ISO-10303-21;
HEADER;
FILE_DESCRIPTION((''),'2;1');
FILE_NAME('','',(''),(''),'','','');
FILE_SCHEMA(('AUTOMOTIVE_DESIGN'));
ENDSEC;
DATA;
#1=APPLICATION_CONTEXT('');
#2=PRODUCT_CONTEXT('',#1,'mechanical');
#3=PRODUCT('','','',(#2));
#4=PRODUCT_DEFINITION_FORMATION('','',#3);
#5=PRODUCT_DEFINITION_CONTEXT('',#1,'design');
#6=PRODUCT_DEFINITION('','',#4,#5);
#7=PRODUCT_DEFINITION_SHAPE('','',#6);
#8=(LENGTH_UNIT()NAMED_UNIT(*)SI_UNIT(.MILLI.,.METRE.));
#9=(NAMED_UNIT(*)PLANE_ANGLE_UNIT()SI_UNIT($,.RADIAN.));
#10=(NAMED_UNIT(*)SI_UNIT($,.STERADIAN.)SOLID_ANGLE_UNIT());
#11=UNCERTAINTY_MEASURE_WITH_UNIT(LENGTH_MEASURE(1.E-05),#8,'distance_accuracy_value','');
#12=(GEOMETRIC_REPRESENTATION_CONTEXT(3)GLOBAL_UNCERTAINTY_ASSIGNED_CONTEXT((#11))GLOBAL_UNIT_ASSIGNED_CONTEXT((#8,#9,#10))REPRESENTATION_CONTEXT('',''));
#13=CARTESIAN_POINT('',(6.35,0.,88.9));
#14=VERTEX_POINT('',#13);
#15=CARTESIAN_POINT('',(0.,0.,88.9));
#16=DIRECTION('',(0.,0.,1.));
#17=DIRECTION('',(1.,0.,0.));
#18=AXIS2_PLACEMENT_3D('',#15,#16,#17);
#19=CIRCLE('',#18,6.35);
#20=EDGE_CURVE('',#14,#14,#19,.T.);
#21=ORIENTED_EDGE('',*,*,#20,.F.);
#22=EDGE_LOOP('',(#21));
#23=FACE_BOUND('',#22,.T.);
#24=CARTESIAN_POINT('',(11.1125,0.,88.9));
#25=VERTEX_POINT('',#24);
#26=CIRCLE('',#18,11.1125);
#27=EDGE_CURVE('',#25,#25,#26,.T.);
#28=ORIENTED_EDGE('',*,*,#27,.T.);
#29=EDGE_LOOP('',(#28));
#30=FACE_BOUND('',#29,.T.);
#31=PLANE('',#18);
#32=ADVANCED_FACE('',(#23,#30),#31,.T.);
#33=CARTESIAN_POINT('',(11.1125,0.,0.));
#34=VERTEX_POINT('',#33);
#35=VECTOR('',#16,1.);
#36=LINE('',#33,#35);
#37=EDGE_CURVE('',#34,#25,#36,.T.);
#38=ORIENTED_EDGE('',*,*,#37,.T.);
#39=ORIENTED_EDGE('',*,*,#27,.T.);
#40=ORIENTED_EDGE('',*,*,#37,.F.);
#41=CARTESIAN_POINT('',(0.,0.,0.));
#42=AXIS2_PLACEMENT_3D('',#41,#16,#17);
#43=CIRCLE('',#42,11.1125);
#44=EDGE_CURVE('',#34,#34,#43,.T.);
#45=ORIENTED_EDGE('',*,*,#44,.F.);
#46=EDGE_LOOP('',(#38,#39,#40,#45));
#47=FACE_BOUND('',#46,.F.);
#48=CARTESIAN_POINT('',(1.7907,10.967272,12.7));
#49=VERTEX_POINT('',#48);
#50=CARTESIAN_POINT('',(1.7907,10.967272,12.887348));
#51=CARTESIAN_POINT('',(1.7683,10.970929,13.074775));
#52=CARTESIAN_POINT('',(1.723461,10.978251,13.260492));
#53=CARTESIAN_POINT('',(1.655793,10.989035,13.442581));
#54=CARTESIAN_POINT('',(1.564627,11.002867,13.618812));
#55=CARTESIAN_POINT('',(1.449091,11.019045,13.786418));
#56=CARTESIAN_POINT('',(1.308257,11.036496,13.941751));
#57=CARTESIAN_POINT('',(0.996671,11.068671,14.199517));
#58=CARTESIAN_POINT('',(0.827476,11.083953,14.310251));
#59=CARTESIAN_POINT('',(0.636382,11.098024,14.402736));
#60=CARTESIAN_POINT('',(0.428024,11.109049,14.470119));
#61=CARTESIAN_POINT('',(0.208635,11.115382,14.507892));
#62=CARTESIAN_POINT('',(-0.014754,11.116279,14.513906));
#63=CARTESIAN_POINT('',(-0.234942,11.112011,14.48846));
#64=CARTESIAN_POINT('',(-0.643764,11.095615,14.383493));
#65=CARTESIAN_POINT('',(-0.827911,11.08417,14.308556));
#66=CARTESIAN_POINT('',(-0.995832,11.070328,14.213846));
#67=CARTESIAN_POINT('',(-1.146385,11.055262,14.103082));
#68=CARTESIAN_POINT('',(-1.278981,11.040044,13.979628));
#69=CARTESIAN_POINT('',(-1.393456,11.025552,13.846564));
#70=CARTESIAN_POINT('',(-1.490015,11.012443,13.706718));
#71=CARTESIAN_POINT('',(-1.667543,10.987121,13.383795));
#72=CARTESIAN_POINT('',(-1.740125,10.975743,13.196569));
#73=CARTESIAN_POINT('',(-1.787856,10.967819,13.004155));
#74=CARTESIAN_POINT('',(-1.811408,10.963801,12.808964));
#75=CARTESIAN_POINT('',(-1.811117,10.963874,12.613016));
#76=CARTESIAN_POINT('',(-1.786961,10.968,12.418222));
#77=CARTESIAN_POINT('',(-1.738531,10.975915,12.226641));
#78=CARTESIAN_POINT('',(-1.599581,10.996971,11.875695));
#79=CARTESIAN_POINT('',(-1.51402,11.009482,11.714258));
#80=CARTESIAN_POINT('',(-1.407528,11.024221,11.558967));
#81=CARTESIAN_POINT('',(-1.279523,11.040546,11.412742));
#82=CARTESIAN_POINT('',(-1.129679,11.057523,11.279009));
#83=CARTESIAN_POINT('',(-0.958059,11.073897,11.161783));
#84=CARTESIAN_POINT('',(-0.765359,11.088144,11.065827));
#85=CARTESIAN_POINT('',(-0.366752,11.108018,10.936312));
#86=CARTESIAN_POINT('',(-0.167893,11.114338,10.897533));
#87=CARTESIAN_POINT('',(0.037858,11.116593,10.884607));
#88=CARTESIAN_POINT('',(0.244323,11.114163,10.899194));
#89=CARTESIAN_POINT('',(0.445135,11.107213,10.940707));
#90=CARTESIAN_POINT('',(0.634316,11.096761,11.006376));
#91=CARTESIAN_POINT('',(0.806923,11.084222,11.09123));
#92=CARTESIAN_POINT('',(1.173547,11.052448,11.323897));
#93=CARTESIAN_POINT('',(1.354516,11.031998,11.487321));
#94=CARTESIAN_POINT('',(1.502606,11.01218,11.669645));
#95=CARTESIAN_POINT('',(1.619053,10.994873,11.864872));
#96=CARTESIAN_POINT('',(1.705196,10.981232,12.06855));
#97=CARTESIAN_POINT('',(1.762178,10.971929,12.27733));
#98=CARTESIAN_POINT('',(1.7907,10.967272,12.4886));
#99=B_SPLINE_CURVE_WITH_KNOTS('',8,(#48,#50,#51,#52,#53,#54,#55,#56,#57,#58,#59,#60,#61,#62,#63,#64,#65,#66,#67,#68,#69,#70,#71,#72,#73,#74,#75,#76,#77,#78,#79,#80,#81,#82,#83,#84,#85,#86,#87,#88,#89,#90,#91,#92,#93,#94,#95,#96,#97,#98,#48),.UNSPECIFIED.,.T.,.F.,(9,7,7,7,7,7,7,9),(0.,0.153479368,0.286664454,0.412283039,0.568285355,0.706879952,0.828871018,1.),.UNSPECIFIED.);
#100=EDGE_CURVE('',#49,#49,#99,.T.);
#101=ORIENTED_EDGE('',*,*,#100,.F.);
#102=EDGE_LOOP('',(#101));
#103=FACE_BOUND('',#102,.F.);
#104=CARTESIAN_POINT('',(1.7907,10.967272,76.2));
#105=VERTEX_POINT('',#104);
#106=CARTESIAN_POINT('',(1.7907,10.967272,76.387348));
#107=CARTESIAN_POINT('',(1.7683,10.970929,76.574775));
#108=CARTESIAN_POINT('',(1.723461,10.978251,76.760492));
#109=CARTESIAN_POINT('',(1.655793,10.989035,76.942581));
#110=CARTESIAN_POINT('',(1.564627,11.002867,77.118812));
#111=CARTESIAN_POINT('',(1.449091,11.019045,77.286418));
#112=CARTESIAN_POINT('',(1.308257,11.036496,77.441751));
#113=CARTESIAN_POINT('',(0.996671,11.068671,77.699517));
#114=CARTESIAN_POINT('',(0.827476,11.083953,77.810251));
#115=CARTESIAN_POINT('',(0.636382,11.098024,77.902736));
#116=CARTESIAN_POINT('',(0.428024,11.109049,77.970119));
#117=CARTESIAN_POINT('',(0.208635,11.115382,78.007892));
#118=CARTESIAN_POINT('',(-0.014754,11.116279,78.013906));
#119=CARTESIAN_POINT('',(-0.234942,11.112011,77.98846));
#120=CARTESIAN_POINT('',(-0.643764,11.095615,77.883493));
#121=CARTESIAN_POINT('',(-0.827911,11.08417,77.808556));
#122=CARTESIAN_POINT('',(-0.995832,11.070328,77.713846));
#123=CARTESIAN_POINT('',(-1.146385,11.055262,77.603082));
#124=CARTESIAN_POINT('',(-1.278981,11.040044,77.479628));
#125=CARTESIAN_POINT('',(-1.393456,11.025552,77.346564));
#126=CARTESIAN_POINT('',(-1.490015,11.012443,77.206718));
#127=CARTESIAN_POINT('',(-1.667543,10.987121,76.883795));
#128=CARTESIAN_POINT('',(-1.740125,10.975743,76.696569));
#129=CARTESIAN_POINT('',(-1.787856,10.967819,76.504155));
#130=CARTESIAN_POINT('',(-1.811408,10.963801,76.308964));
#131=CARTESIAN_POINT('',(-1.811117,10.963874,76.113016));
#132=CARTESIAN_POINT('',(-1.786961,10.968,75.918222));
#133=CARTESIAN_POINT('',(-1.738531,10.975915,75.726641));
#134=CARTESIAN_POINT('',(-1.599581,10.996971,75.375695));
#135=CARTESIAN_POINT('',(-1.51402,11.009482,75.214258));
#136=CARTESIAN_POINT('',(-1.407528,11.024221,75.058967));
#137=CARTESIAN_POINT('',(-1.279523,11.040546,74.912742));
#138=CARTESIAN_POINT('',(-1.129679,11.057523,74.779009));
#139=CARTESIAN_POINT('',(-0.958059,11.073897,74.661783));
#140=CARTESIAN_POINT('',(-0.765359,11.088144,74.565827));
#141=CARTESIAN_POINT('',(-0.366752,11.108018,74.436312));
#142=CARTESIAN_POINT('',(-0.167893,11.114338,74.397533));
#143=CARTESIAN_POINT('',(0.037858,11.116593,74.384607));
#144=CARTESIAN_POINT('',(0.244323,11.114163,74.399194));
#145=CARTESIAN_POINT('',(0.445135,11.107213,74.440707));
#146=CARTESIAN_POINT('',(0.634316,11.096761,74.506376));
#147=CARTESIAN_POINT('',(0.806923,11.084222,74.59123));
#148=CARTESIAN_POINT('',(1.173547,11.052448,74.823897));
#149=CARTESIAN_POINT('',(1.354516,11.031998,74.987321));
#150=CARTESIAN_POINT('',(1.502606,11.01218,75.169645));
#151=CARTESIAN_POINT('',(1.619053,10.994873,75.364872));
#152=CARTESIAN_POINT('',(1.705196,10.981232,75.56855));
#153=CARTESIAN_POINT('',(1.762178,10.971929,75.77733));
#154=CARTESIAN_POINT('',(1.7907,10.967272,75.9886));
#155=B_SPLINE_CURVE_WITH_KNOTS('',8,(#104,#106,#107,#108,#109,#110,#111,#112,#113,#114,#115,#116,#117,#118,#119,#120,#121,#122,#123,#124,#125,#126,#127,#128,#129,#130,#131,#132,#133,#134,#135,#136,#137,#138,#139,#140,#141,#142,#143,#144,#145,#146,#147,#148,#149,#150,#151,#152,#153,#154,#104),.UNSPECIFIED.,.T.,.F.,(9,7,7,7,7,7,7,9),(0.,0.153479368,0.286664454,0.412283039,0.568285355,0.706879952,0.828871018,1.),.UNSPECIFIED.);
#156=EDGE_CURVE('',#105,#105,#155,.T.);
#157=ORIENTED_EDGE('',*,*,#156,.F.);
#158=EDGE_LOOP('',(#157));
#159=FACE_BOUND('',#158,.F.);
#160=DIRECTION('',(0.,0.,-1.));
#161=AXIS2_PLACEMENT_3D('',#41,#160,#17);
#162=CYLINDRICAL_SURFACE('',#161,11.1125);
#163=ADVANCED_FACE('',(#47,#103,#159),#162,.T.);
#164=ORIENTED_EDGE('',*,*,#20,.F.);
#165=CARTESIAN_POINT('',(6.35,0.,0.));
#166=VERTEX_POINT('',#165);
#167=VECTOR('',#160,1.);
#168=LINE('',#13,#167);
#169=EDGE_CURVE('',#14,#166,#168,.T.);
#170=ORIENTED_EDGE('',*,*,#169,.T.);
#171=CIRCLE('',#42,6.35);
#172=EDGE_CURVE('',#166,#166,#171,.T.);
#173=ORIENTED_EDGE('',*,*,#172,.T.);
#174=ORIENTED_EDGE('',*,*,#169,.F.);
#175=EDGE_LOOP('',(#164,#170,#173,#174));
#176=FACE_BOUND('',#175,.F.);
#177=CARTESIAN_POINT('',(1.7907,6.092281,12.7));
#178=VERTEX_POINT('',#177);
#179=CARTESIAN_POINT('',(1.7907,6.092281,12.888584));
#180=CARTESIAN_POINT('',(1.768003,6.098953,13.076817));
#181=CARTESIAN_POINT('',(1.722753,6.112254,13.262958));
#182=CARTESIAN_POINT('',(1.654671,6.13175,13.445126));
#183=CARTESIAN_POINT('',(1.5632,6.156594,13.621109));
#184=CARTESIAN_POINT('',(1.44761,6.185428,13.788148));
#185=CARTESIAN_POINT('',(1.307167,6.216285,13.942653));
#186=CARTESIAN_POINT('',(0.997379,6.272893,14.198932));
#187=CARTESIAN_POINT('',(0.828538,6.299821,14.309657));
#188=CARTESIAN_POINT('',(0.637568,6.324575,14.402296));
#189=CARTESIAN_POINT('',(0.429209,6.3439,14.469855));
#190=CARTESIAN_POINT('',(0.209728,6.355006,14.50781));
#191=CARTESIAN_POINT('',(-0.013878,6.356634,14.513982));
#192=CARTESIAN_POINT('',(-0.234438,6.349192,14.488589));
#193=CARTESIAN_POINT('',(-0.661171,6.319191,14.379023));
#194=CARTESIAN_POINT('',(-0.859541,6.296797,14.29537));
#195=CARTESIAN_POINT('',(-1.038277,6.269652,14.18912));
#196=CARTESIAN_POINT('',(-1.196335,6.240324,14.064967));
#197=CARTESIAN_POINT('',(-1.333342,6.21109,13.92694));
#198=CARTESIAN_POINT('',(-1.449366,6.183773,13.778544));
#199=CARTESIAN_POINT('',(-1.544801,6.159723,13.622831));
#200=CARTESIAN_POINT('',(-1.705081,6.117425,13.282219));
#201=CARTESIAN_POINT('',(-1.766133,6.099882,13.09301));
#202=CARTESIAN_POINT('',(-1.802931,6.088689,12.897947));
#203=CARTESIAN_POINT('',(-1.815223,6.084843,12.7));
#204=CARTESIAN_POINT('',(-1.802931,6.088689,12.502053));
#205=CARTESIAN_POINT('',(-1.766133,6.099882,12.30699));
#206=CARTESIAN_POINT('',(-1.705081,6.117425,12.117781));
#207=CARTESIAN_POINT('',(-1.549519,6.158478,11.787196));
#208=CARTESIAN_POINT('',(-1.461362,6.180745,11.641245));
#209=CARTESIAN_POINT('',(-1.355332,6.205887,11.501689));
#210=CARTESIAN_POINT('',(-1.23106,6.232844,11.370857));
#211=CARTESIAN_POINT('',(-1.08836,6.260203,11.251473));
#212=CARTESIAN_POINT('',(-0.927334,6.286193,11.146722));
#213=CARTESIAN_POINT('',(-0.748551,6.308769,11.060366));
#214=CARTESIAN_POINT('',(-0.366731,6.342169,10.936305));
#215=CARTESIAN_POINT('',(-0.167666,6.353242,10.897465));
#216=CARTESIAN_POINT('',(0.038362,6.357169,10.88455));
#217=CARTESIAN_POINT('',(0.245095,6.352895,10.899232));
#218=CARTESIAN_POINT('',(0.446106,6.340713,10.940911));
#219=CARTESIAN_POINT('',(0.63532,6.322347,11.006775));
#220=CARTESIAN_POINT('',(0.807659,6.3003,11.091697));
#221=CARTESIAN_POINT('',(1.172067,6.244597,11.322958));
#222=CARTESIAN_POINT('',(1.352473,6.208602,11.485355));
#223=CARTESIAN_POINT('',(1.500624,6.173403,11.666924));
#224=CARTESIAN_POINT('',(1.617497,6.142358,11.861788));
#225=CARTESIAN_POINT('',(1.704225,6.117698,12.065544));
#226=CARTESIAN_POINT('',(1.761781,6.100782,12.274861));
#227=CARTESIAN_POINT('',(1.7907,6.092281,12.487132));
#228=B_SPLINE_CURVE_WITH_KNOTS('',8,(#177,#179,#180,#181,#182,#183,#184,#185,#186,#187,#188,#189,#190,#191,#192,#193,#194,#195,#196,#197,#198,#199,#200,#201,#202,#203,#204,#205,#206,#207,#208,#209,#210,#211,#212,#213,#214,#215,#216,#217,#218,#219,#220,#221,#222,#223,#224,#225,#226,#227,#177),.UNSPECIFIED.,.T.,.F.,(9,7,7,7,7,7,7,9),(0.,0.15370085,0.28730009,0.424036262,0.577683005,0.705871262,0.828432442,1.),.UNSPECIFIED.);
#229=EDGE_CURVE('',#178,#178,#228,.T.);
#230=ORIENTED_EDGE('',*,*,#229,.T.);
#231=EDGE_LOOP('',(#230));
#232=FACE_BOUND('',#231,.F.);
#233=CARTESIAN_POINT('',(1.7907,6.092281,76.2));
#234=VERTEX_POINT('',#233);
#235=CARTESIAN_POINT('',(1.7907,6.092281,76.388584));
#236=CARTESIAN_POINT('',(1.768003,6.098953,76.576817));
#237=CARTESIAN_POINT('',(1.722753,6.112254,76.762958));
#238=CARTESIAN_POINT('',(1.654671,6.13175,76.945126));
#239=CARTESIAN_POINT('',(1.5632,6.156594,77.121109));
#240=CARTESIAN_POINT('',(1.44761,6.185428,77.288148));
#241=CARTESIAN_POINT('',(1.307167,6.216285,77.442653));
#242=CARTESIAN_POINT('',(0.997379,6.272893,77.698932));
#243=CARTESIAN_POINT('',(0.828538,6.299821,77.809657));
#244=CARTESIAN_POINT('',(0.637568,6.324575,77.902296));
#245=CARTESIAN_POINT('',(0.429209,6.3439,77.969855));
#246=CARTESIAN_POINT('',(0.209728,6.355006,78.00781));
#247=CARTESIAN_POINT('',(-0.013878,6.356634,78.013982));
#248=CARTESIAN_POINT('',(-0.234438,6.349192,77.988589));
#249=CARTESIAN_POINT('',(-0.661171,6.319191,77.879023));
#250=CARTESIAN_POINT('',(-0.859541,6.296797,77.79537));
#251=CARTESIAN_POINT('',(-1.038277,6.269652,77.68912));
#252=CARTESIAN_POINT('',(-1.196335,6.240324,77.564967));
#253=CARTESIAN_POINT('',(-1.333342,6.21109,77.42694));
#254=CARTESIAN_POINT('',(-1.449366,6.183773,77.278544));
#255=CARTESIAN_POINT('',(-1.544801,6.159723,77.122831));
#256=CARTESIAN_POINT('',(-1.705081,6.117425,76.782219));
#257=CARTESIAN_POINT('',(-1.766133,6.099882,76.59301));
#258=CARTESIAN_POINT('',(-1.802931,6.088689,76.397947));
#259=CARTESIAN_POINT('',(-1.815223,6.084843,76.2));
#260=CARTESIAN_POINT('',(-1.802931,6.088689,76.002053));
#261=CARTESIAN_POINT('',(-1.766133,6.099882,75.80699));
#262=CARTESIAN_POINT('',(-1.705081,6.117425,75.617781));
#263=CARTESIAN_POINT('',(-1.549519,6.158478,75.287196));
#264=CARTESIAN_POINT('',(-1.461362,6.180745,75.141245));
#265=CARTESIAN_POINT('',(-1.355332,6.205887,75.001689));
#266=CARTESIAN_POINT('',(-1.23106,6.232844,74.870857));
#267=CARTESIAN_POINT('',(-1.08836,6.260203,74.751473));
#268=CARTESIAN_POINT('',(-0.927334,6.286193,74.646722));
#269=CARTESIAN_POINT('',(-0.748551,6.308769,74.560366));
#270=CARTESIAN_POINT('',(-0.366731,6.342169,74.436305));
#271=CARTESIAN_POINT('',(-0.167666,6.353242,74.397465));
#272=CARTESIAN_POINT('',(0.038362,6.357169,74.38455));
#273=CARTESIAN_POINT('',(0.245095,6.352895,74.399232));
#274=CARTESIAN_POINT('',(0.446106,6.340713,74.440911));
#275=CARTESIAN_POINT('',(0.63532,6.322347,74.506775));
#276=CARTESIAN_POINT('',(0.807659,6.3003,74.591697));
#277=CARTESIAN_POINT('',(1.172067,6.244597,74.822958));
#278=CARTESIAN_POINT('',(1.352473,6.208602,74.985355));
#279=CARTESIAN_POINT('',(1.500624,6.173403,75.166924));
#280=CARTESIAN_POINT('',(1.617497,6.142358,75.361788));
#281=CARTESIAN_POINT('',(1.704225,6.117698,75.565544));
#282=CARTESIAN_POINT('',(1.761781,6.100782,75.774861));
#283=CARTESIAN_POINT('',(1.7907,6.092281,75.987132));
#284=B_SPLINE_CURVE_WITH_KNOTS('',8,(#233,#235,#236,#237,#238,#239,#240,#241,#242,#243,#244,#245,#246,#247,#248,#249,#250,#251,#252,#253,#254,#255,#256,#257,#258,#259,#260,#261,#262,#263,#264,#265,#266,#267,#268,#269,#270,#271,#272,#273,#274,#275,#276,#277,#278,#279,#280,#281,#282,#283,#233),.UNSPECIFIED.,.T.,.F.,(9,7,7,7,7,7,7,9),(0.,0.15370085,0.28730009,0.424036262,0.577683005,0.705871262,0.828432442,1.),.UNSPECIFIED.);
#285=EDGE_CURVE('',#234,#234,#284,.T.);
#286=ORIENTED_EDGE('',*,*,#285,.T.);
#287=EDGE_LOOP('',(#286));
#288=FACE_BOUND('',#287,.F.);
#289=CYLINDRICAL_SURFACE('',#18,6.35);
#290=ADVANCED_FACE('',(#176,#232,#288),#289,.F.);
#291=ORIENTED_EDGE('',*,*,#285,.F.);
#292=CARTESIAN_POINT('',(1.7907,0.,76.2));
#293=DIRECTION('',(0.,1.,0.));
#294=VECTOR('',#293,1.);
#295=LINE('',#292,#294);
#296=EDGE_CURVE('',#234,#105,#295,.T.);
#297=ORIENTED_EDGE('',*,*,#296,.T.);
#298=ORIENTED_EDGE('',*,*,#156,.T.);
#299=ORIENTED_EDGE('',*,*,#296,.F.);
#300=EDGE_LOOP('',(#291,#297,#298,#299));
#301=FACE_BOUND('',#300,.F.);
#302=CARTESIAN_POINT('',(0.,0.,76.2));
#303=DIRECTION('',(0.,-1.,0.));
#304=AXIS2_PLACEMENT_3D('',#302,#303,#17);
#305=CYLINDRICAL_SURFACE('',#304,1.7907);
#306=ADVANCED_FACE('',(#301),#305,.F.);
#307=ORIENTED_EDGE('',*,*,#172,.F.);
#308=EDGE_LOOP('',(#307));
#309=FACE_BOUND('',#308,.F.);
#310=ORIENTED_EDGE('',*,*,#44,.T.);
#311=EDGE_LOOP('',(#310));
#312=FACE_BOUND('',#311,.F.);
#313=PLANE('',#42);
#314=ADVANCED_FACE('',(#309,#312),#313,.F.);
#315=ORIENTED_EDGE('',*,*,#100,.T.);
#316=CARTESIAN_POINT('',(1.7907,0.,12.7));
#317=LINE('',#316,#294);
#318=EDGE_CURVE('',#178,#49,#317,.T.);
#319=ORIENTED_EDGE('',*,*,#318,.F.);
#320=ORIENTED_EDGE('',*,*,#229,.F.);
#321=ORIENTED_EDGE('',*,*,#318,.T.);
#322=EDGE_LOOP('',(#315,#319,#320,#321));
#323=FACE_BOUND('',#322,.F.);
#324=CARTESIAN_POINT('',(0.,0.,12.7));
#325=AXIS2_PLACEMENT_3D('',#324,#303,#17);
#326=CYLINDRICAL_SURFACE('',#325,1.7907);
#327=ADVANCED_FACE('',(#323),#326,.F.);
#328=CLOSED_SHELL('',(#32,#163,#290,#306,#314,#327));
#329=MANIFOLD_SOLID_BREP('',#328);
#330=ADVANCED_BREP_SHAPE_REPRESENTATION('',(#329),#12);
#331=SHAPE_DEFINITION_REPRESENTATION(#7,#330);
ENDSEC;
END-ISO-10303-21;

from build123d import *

# Parameters (mm, degrees)
F0_R     = 11.1125
F1_DEPTH = 88.9
F2_R     = 6.35
F3_DEPTH = 88.9
F4_R     = 1.7907
F5_DEPTH = 22.225


with BuildPart() as f1:
    # F0 (on Top) → F1 (new body)
    with BuildSketch(Plane.XY):
        Circle(F0_R)
    extrude(amount=F1_DEPTH)

    # F2 (on face) → F3 (cut)
    with BuildSketch(Plane.XY.offset(88.9)):
        Circle(F2_R)
    extrude(amount=-F3_DEPTH, mode=Mode.SUBTRACT)

    # F4 (on Front) → F5 (cut)
    with BuildSketch(Plane.XZ):
        with Locations((0, 12.7)):
            Circle(F4_R)
        with Locations((0, 76.2)):
            Circle(F4_R)
    extrude(amount=-F5_DEPTH, mode=Mode.SUBTRACT)


solid = f1.part
